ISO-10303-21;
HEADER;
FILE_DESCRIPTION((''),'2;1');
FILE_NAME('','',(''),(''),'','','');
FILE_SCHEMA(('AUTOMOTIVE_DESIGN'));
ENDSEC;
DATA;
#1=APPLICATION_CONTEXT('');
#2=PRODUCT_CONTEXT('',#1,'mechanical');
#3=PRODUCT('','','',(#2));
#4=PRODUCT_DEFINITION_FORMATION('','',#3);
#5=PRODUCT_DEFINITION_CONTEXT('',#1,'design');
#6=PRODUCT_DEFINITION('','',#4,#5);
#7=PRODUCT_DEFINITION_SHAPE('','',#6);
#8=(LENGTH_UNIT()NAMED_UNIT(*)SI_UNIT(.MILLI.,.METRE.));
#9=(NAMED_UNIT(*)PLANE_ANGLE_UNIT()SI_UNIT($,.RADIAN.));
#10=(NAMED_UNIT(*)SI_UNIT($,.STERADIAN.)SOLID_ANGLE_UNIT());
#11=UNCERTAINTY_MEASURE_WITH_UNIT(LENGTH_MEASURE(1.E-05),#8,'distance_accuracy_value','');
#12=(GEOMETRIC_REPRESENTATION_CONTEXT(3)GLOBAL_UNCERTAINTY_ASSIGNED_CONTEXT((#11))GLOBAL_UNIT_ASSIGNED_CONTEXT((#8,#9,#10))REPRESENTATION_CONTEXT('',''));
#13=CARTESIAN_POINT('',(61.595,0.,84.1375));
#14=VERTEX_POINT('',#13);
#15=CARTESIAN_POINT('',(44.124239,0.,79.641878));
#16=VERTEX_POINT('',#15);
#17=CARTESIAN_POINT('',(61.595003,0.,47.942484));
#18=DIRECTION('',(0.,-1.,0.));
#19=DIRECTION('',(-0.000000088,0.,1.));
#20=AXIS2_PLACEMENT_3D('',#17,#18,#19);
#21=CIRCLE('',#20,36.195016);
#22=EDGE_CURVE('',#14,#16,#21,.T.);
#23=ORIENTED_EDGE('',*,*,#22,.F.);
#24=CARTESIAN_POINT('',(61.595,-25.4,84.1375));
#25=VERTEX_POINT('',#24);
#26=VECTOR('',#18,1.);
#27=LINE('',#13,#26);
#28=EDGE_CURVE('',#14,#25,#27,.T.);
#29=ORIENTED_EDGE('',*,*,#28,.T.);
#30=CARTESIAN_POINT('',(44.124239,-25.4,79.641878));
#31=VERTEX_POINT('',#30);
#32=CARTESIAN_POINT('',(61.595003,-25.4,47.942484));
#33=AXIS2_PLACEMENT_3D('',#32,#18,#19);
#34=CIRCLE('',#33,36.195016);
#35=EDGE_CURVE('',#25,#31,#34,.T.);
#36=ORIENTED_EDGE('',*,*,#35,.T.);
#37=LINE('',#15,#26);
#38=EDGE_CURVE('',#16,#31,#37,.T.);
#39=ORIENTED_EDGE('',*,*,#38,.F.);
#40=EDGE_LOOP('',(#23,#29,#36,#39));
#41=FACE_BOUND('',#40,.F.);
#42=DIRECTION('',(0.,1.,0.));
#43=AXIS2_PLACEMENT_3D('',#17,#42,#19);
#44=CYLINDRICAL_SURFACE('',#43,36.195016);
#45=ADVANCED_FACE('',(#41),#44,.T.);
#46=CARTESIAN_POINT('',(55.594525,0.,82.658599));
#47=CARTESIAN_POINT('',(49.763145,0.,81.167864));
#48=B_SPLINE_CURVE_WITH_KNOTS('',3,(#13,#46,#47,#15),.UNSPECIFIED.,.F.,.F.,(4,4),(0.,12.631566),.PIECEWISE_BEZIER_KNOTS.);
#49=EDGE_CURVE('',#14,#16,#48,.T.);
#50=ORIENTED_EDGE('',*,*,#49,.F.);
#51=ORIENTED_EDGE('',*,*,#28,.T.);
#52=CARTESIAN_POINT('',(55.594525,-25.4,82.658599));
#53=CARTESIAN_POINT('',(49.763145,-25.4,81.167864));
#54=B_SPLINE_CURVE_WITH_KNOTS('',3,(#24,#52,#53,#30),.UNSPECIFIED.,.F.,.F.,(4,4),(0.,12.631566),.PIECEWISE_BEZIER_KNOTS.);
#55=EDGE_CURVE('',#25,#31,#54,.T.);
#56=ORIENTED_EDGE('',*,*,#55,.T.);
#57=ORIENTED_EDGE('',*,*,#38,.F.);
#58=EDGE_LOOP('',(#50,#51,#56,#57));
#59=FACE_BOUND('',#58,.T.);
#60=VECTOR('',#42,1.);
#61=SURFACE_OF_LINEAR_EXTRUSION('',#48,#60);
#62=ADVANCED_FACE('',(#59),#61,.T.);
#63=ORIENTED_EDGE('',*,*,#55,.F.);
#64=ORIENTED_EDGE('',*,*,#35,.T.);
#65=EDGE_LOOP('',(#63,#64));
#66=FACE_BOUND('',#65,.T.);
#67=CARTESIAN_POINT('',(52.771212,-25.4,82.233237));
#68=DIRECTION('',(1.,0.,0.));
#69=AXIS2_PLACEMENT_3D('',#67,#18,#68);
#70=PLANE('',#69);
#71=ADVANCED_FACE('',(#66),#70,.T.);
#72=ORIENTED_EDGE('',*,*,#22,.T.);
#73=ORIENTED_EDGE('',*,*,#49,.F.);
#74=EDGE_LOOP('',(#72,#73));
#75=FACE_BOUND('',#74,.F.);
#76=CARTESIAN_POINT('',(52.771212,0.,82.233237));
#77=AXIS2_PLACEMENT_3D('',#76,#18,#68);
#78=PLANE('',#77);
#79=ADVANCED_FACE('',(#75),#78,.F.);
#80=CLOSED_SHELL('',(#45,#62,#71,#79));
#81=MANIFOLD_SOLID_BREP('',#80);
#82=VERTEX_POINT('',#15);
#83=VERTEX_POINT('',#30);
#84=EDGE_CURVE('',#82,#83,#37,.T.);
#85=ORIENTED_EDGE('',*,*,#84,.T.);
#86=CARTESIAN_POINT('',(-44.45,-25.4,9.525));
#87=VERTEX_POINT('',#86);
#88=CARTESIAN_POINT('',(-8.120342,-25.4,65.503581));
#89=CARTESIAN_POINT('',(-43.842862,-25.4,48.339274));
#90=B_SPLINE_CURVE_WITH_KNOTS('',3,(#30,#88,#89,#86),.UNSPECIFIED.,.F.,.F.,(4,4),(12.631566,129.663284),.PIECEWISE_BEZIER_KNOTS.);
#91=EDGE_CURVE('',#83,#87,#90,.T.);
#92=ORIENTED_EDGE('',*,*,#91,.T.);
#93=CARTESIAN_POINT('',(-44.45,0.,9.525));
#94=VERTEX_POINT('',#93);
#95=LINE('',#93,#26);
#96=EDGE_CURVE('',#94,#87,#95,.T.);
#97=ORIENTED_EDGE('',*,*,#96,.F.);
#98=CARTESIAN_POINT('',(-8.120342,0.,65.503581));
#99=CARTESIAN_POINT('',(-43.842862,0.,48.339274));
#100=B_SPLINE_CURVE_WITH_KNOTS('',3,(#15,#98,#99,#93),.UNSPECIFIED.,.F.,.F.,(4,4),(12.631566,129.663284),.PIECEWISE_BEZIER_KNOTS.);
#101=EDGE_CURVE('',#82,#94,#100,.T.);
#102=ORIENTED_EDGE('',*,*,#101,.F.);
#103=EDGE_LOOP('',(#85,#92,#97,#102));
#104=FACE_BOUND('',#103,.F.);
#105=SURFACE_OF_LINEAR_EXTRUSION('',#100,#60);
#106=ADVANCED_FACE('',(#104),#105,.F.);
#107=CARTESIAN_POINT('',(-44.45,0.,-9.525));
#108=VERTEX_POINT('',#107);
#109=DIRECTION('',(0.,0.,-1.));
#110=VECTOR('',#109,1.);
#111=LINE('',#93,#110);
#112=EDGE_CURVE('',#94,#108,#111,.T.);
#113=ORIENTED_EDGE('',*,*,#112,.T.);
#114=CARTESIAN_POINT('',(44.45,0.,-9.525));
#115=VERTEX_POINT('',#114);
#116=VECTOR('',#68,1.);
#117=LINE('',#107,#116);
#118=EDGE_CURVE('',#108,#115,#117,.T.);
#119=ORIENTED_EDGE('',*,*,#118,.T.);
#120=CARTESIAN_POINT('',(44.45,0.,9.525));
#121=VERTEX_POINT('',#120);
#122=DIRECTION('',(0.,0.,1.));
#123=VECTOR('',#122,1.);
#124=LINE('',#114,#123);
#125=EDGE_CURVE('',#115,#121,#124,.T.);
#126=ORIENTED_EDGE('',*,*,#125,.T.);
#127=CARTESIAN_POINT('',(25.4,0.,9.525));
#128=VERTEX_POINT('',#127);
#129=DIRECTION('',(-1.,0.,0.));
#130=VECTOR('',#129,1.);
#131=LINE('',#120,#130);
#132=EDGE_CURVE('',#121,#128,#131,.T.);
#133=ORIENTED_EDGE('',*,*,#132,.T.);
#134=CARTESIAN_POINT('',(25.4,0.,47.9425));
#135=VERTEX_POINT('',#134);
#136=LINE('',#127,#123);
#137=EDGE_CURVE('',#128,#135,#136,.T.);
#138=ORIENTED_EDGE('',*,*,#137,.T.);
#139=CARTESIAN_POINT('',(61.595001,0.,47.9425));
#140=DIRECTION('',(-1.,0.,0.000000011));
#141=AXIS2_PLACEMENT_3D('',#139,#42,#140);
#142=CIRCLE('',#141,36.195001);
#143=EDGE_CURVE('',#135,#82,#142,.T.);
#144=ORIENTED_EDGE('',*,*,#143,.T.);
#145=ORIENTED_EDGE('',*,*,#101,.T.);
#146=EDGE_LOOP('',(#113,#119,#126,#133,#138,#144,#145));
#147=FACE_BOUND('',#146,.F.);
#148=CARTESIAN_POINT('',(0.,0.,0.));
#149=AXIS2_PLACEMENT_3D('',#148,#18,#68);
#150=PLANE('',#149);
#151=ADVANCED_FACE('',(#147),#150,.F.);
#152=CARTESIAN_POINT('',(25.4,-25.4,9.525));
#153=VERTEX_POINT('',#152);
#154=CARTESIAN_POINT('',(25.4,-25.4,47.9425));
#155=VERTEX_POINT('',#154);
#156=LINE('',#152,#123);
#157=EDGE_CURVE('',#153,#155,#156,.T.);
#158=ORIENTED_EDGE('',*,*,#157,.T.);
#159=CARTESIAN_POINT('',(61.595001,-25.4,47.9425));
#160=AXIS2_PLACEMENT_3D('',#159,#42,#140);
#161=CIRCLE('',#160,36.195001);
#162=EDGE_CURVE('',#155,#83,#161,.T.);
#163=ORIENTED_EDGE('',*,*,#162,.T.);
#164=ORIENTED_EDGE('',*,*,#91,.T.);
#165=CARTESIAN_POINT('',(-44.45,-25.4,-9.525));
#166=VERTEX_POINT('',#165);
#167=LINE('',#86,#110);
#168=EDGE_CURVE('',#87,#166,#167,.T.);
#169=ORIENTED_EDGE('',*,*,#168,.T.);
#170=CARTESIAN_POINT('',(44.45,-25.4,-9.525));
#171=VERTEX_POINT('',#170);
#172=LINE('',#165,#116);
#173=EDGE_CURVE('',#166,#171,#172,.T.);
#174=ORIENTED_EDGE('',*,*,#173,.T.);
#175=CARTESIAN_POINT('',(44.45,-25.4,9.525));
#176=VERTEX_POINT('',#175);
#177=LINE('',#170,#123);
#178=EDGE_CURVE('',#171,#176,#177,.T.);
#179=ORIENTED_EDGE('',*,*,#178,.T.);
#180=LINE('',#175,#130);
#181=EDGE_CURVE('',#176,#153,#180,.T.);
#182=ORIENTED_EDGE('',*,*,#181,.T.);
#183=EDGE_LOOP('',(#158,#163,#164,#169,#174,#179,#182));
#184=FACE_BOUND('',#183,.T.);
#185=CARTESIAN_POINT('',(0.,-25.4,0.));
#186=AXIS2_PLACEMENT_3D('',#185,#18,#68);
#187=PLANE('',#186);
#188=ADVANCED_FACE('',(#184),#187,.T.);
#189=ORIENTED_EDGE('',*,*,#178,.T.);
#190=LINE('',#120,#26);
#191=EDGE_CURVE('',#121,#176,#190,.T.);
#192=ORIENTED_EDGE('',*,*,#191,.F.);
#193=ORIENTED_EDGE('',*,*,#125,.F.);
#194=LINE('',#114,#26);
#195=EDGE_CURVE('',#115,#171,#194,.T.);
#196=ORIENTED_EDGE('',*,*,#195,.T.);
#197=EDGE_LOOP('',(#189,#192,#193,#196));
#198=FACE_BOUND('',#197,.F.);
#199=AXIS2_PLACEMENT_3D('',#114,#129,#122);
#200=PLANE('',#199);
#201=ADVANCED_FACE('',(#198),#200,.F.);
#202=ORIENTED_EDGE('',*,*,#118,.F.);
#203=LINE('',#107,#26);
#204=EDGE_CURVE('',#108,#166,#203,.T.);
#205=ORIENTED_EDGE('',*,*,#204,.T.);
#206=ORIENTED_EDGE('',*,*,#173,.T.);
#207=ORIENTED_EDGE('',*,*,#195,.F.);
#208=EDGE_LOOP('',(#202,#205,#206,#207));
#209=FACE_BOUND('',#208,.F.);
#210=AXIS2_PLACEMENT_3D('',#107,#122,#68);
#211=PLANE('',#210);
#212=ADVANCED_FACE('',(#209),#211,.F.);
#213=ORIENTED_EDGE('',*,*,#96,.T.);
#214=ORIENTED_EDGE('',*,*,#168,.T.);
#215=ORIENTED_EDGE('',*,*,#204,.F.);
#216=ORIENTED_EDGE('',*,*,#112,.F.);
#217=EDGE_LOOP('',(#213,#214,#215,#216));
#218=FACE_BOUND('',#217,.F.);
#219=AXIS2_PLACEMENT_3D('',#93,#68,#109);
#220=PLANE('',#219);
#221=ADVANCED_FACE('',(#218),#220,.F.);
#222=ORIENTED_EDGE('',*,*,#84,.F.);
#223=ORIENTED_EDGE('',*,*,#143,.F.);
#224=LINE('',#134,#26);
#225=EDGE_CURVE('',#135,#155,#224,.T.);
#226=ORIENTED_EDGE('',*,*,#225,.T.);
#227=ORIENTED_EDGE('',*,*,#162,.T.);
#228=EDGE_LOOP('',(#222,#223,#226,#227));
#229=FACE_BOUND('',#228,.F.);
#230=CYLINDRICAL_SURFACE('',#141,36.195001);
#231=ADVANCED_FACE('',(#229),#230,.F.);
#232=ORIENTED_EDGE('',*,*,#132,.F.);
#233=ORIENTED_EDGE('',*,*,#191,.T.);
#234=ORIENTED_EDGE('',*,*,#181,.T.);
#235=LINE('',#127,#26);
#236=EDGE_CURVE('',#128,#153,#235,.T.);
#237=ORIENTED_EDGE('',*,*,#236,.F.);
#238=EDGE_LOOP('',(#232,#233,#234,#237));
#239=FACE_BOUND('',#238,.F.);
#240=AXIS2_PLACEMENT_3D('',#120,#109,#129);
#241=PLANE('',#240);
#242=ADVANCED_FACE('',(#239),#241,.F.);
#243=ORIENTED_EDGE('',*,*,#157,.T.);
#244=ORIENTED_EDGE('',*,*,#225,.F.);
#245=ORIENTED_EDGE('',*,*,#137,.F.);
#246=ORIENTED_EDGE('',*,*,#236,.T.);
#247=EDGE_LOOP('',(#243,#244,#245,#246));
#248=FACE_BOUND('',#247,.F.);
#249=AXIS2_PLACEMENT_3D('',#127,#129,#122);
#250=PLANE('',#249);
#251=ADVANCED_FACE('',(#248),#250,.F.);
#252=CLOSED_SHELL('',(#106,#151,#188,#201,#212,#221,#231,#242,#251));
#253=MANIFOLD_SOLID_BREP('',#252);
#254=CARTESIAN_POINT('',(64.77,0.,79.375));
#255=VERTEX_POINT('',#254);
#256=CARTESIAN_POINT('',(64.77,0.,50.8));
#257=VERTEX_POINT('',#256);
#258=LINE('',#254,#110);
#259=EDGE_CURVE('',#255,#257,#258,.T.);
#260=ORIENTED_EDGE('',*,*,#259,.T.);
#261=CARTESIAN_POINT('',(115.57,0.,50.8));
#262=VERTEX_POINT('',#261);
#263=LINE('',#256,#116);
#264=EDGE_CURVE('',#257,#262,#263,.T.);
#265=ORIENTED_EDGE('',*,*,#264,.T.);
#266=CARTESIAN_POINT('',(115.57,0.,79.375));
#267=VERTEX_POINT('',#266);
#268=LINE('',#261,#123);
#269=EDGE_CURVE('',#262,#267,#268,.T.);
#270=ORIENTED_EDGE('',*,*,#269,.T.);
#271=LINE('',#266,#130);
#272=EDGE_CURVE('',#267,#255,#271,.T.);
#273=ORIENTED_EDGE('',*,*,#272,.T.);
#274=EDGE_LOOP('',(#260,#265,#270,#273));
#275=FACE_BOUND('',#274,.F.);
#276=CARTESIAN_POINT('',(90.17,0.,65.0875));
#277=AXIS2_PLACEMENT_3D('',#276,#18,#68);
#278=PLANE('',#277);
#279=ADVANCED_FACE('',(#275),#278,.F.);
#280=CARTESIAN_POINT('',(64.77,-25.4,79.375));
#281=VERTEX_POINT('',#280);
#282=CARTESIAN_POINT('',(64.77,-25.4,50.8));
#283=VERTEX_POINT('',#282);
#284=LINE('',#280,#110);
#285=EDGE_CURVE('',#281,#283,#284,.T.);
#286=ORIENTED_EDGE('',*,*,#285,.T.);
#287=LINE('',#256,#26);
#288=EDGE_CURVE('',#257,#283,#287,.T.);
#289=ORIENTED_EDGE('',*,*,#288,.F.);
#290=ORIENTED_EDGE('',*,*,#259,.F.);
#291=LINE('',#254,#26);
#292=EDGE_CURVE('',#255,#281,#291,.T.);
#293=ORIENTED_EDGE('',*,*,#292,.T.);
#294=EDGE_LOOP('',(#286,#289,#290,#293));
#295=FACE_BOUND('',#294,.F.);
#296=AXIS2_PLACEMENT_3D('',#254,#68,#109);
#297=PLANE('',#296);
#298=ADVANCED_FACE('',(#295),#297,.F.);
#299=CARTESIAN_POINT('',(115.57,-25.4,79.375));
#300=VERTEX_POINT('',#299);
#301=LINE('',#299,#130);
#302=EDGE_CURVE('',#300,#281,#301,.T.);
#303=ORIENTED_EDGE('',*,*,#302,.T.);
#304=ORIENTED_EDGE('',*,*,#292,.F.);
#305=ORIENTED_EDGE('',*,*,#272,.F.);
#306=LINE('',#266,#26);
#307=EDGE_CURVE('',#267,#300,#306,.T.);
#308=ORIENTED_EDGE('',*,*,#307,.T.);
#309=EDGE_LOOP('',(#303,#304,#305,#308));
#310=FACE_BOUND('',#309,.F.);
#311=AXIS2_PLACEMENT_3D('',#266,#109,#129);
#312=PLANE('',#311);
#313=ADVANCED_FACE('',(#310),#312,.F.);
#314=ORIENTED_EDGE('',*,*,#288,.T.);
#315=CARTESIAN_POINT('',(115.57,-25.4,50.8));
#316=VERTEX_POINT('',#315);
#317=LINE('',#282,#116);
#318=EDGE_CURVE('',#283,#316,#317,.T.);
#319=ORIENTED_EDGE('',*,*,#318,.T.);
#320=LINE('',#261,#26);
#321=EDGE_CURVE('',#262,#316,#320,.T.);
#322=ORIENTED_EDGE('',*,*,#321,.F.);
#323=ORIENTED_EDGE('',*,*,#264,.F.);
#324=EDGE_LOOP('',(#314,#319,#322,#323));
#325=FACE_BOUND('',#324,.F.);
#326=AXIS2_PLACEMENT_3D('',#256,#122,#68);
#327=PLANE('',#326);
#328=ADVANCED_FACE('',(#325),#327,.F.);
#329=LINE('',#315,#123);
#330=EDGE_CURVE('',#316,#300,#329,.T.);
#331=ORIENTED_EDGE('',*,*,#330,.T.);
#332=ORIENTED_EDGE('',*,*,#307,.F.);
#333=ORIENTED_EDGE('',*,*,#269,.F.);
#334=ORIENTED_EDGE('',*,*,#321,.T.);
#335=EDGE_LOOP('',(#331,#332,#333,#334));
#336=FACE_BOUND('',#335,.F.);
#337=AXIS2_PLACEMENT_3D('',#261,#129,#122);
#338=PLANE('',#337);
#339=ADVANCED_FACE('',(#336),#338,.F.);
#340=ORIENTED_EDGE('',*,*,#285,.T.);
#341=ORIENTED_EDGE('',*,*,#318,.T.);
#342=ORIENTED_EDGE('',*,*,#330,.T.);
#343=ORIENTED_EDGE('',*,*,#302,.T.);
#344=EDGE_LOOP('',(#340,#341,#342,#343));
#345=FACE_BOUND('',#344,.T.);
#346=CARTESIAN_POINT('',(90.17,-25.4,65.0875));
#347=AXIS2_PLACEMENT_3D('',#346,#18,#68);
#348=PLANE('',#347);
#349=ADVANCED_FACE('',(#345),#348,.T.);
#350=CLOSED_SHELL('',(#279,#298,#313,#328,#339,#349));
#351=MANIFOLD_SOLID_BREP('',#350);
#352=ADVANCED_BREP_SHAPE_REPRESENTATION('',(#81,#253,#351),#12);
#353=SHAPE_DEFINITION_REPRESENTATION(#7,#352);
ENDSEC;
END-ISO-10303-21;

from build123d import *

# Parameters (mm, degrees)
F1_DEPTH = 25.4


with BuildPart() as f1:
    # F0 (on Front) → F1 (new body)
    with BuildSketch(Plane.XZ):
        Polygon((-44.45, 9.525), (-44.45, -9.525), (44.45, -9.525), (44.45, 9.525), (25.4, 9.525), align=None)
        with BuildLine():
            ThreePointArc((61.595, 84.1375), (52.575049, 82.995581), (44.124239, 79.641878))
            add(Edge.make_bspline(
                [(61.595, 84.1375), (55.594525, 82.658599), (49.763145, 81.167864), (44.124239, 79.641878)],
                knots=[0, 0, 0, 0, 12.631566, 12.631566, 12.631566, 12.631566], degree=3))
        make_face()
        Polygon((64.77, 79.375), (64.77, 65.0875), (64.77, 50.8), (115.57, 50.8), (115.57, 79.375), align=None)
        with BuildLine():
            add(Edge.make_bspline(
                [(44.124239, 79.641878), (-8.120342, 65.503581), (-43.842862, 48.339274), (-44.45, 9.525)],
                knots=[12.631566, 12.631566, 12.631566, 12.631566, 129.663284, 129.663284, 129.663284, 129.663284], degree=3))
            Line((-44.45, 9.525), (25.4, 9.525))
            Line((25.4, 9.525), (25.4, 47.9425))
            ThreePointArc((25.4, 47.9425), (30.43066, 66.350703), (44.124239, 79.641878))
        make_face()
    extrude(amount=F1_DEPTH)


solid = f1.part
